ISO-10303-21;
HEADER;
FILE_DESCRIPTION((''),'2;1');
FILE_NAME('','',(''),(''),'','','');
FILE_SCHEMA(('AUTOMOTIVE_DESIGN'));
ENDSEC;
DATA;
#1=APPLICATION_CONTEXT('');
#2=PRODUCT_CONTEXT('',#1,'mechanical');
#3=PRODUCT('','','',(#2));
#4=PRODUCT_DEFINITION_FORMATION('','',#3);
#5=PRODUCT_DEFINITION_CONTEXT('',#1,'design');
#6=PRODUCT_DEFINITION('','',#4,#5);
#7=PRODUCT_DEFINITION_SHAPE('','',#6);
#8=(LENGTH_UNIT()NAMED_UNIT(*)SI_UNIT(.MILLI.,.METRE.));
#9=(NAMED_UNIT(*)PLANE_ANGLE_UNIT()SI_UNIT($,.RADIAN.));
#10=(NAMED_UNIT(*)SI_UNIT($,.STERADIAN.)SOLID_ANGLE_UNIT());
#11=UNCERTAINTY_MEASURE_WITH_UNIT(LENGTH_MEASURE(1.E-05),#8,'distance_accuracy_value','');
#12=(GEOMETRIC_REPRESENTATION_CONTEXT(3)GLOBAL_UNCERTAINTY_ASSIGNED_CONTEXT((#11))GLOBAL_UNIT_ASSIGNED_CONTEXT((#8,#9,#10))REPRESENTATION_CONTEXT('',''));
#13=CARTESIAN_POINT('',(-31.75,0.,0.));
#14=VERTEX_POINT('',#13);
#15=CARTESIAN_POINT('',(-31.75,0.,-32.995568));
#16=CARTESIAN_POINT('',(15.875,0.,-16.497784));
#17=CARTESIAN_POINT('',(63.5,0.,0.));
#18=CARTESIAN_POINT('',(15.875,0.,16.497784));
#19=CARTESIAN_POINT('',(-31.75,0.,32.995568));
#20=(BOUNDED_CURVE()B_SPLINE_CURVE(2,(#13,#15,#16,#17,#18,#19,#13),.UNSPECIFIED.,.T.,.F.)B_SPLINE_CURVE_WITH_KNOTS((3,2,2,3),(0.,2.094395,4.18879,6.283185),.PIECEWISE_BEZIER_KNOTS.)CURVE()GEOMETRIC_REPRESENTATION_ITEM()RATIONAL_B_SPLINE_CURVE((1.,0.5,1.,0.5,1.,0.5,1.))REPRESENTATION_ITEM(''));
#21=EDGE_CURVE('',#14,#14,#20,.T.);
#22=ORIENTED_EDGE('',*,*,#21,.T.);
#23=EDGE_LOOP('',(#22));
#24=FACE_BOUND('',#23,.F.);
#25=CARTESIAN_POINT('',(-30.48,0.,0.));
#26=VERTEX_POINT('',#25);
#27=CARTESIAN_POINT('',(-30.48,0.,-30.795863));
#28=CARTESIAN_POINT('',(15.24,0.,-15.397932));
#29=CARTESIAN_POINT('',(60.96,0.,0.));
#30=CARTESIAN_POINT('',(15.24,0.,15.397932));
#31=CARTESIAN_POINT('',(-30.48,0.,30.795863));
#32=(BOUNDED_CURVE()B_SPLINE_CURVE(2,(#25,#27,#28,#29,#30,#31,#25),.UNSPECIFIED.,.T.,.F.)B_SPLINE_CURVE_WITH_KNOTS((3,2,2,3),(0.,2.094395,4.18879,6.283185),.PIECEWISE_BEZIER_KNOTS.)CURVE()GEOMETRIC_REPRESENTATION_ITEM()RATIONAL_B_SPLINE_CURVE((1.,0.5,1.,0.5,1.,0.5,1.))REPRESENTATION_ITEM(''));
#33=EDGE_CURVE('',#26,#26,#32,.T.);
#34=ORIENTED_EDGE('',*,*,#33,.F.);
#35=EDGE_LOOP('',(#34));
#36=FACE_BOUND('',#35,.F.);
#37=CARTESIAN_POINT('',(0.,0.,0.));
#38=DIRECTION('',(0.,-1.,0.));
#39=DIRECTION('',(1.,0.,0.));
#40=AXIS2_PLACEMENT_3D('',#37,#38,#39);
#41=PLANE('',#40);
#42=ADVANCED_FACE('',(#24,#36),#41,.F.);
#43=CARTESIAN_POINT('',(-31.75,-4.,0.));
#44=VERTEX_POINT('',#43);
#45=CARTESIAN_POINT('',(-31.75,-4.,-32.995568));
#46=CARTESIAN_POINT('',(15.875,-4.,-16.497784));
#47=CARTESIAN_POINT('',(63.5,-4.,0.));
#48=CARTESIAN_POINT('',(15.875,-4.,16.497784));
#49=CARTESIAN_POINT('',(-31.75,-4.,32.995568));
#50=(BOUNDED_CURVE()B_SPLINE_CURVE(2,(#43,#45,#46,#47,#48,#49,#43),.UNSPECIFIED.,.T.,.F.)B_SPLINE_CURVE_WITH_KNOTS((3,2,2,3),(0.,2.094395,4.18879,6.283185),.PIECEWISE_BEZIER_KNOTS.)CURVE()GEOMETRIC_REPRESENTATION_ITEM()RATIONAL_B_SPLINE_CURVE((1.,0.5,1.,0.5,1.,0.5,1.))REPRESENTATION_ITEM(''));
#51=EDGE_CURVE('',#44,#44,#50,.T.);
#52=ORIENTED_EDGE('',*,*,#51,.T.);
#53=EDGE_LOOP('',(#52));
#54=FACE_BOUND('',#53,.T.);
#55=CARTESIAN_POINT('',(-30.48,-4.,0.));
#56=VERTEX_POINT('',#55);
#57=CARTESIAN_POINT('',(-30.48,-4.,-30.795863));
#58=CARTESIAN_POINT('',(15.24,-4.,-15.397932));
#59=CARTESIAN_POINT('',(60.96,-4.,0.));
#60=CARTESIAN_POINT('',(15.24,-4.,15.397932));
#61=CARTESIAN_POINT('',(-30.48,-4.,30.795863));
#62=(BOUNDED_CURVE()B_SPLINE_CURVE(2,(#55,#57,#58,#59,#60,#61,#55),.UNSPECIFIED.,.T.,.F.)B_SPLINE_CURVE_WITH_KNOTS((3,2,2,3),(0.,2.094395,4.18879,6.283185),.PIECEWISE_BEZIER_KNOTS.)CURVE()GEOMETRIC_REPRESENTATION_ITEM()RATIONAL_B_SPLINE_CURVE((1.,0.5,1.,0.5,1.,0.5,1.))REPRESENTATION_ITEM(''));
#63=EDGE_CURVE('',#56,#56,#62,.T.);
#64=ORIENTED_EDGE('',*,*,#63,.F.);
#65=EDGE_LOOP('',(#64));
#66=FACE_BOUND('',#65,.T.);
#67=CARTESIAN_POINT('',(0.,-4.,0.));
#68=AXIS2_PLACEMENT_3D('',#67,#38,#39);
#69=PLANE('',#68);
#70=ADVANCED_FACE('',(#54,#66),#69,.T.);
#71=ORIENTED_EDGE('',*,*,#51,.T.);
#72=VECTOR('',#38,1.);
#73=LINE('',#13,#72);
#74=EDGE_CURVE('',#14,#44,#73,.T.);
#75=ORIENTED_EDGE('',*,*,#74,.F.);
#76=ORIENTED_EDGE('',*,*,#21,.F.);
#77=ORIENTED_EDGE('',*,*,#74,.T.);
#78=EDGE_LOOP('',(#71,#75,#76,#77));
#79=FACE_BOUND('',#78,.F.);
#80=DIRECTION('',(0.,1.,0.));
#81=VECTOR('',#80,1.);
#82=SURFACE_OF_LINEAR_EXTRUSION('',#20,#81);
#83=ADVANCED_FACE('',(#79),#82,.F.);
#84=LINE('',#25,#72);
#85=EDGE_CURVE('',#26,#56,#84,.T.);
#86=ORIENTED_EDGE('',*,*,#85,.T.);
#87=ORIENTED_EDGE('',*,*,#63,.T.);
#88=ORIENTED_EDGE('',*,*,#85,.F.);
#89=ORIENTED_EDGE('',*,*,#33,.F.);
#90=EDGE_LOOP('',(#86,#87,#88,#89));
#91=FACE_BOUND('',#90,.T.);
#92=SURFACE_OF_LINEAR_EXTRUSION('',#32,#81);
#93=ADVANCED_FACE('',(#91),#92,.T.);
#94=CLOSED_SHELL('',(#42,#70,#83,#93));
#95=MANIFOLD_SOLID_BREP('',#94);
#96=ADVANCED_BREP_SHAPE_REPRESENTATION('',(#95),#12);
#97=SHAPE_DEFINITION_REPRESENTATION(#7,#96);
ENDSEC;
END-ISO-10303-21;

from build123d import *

# Parameters (mm, degrees)
F1_DEPTH = 4


with BuildPart() as f1:
    # F0 (on Front) → F1 (new body)
    with BuildSketch(Plane.XZ):
        with BuildLine():
            add(Edge.make_bspline(
                [(-31.75, 0), (-31.75, -32.995568), (15.875, -16.497784), (63.5, 0), (15.875, 16.497784), (-31.75, 32.995568), (-31.75, 0)],
                knots=[0, 0, 0, 2.094395, 2.094395, 4.18879, 4.18879, 6.283185, 6.283185, 6.283185], degree=2, weights=[1, 0.5, 1, 0.5, 1, 0.5, 1]))
        make_face()
        with BuildLine():
            add(Edge.make_bspline(
                [(-30.48, 0), (-30.48, -30.795863), (15.24, -15.397932), (60.96, 0), (15.24, 15.397932), (-30.48, 30.795863), (-30.48, 0)],
                knots=[0, 0, 0, 2.094395, 2.094395, 4.18879, 4.18879, 6.283185, 6.283185, 6.283185], degree=2, weights=[1, 0.5, 1, 0.5, 1, 0.5, 1]))
        make_face(mode=Mode.SUBTRACT)
    extrude(amount=F1_DEPTH)


solid = f1.part
